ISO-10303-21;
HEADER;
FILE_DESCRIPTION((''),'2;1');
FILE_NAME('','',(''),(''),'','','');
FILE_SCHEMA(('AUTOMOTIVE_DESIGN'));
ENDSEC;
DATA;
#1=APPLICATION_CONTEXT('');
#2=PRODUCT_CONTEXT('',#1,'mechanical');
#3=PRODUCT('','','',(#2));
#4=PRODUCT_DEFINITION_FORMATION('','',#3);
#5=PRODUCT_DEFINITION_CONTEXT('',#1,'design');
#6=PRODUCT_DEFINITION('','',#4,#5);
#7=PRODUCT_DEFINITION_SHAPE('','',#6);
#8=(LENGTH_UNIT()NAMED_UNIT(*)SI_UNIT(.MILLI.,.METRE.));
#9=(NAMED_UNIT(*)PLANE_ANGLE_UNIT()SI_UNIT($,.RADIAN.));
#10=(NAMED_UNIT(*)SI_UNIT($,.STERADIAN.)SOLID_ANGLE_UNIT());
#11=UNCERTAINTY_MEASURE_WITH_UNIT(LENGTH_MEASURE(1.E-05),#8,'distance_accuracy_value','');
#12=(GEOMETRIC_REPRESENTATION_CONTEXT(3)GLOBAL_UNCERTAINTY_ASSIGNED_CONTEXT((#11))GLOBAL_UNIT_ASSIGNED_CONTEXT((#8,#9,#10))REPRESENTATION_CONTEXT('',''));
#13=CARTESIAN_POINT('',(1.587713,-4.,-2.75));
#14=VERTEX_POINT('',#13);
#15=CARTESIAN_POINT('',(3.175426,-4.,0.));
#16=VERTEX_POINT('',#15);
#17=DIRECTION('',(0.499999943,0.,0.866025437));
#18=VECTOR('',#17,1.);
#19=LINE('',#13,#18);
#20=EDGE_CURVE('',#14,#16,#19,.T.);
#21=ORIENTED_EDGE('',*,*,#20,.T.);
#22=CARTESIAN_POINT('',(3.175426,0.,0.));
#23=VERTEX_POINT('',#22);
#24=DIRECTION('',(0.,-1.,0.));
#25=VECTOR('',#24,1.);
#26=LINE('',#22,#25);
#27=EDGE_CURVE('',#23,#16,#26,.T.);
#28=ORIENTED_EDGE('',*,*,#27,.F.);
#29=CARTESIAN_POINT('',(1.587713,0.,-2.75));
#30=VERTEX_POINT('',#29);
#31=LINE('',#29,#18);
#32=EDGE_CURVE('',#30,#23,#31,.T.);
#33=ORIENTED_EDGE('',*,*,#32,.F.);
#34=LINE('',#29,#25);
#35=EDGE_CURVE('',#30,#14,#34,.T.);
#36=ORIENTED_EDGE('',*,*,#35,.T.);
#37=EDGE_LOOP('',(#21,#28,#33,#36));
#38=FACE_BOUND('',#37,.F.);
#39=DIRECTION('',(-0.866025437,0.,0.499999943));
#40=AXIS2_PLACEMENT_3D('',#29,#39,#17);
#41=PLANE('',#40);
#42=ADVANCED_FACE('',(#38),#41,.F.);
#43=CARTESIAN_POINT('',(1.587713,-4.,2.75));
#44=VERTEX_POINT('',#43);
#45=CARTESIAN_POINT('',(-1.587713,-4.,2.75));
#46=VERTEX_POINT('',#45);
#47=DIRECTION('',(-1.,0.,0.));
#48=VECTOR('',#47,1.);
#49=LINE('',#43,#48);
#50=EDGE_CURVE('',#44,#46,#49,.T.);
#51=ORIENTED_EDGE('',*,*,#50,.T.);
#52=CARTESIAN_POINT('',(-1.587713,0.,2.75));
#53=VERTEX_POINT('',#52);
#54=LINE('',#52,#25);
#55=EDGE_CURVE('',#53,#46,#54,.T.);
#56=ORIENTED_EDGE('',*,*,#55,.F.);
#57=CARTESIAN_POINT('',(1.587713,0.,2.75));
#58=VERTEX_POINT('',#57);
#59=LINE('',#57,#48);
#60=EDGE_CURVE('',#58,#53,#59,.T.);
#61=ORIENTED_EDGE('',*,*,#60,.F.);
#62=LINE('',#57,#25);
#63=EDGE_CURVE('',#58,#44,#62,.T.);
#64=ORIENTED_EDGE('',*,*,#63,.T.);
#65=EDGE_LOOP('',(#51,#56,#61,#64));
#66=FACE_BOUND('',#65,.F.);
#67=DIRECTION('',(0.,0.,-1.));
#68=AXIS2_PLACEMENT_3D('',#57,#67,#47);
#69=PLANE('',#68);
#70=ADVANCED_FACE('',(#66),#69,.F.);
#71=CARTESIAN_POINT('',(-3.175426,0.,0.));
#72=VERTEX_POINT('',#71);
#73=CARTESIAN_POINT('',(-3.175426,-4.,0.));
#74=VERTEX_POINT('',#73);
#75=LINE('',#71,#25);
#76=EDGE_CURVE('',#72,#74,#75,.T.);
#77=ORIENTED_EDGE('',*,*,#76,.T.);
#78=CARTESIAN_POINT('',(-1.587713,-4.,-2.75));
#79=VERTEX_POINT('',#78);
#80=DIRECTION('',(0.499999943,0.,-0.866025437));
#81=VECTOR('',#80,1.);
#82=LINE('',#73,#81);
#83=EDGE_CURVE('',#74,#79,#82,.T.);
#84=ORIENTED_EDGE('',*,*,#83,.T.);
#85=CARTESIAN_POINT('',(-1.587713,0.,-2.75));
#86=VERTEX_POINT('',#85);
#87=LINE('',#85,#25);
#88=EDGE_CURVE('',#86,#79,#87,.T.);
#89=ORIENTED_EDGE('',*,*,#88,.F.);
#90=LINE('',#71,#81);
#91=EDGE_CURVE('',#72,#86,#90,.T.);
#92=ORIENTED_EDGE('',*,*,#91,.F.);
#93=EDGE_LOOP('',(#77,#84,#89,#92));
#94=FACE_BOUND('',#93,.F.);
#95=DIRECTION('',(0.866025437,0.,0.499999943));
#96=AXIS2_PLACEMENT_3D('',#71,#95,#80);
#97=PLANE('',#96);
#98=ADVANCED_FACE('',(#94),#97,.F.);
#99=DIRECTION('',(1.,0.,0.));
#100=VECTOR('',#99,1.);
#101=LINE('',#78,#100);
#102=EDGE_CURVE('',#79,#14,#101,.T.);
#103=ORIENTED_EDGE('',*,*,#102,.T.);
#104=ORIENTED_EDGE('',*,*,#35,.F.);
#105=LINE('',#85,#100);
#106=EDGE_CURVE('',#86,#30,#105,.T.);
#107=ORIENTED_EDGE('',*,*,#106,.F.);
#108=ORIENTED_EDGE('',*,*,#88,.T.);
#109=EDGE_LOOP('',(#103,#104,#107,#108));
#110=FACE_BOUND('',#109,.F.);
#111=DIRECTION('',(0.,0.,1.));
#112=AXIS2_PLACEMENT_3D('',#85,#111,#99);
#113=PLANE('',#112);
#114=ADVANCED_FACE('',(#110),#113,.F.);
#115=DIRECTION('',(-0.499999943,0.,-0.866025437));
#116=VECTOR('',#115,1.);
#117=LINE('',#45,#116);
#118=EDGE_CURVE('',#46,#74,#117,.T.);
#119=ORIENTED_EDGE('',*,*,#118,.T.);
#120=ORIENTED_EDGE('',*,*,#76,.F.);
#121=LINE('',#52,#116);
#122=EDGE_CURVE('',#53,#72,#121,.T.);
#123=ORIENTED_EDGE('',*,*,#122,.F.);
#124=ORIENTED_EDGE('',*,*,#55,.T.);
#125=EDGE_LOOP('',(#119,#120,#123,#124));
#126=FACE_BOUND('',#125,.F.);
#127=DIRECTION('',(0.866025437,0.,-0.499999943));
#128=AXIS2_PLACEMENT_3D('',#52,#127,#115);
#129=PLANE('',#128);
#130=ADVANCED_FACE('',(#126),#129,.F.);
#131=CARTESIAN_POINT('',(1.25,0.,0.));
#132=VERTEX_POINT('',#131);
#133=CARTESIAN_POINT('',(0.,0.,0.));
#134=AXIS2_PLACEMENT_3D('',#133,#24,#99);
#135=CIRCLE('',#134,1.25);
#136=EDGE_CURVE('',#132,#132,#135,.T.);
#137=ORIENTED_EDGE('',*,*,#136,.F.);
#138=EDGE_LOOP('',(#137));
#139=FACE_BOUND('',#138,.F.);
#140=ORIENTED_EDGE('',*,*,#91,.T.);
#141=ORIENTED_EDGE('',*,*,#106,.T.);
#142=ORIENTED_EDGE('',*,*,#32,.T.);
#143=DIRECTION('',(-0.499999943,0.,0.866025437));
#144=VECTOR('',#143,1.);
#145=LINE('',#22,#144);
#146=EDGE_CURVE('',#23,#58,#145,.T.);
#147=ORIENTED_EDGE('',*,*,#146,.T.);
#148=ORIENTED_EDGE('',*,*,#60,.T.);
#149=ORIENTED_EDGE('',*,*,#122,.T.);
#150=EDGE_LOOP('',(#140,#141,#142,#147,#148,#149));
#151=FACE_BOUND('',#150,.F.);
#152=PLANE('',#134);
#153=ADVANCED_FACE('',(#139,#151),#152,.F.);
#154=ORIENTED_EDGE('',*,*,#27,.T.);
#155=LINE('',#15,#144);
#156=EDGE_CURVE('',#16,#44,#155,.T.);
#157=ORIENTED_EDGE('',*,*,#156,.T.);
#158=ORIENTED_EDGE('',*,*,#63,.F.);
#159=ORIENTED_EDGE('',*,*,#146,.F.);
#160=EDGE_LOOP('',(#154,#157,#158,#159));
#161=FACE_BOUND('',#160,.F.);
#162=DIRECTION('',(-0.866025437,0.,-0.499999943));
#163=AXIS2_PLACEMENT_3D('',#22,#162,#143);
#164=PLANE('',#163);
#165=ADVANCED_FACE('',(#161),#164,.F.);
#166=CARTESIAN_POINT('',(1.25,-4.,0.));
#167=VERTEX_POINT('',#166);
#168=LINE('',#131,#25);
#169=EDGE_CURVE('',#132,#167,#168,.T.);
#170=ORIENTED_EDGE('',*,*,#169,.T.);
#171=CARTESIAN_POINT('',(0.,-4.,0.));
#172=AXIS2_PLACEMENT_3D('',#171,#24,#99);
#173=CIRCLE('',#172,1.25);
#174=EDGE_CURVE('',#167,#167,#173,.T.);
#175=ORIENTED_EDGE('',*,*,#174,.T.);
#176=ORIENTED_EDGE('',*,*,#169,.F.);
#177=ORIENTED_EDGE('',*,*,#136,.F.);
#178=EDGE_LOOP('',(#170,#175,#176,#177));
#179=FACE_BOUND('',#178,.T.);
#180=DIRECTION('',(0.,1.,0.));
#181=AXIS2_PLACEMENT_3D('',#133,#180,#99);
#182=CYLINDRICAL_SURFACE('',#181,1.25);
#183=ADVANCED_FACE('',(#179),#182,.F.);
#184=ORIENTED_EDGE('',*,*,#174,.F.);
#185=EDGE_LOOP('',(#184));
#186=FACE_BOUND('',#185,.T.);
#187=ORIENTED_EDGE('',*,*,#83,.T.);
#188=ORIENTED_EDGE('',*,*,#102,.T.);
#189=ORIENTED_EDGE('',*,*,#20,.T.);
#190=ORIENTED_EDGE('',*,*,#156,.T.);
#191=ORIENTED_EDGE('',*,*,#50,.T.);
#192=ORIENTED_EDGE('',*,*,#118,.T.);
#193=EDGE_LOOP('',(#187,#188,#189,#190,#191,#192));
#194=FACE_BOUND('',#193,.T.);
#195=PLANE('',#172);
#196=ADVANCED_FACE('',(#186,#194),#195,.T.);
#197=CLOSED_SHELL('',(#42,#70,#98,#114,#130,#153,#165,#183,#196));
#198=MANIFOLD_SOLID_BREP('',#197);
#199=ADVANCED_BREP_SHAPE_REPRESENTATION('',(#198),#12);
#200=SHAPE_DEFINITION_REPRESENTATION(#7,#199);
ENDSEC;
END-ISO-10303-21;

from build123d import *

# Parameters (mm, degrees)
SKETCH_R  = 1.25
PAD_DEPTH = 4


with BuildPart() as part:
    # Sketch → Pad (new body)
    with BuildSketch(Plane.XZ):
        Polygon((-1.587713, -2.75), (1.587713, -2.75), (3.175426, 0), (1.587713, 2.75), (-1.587713, 2.75), (-3.175426, 0), align=None)
        Circle(SKETCH_R, mode=Mode.SUBTRACT)
    extrude(amount=PAD_DEPTH)


solid = part.part
